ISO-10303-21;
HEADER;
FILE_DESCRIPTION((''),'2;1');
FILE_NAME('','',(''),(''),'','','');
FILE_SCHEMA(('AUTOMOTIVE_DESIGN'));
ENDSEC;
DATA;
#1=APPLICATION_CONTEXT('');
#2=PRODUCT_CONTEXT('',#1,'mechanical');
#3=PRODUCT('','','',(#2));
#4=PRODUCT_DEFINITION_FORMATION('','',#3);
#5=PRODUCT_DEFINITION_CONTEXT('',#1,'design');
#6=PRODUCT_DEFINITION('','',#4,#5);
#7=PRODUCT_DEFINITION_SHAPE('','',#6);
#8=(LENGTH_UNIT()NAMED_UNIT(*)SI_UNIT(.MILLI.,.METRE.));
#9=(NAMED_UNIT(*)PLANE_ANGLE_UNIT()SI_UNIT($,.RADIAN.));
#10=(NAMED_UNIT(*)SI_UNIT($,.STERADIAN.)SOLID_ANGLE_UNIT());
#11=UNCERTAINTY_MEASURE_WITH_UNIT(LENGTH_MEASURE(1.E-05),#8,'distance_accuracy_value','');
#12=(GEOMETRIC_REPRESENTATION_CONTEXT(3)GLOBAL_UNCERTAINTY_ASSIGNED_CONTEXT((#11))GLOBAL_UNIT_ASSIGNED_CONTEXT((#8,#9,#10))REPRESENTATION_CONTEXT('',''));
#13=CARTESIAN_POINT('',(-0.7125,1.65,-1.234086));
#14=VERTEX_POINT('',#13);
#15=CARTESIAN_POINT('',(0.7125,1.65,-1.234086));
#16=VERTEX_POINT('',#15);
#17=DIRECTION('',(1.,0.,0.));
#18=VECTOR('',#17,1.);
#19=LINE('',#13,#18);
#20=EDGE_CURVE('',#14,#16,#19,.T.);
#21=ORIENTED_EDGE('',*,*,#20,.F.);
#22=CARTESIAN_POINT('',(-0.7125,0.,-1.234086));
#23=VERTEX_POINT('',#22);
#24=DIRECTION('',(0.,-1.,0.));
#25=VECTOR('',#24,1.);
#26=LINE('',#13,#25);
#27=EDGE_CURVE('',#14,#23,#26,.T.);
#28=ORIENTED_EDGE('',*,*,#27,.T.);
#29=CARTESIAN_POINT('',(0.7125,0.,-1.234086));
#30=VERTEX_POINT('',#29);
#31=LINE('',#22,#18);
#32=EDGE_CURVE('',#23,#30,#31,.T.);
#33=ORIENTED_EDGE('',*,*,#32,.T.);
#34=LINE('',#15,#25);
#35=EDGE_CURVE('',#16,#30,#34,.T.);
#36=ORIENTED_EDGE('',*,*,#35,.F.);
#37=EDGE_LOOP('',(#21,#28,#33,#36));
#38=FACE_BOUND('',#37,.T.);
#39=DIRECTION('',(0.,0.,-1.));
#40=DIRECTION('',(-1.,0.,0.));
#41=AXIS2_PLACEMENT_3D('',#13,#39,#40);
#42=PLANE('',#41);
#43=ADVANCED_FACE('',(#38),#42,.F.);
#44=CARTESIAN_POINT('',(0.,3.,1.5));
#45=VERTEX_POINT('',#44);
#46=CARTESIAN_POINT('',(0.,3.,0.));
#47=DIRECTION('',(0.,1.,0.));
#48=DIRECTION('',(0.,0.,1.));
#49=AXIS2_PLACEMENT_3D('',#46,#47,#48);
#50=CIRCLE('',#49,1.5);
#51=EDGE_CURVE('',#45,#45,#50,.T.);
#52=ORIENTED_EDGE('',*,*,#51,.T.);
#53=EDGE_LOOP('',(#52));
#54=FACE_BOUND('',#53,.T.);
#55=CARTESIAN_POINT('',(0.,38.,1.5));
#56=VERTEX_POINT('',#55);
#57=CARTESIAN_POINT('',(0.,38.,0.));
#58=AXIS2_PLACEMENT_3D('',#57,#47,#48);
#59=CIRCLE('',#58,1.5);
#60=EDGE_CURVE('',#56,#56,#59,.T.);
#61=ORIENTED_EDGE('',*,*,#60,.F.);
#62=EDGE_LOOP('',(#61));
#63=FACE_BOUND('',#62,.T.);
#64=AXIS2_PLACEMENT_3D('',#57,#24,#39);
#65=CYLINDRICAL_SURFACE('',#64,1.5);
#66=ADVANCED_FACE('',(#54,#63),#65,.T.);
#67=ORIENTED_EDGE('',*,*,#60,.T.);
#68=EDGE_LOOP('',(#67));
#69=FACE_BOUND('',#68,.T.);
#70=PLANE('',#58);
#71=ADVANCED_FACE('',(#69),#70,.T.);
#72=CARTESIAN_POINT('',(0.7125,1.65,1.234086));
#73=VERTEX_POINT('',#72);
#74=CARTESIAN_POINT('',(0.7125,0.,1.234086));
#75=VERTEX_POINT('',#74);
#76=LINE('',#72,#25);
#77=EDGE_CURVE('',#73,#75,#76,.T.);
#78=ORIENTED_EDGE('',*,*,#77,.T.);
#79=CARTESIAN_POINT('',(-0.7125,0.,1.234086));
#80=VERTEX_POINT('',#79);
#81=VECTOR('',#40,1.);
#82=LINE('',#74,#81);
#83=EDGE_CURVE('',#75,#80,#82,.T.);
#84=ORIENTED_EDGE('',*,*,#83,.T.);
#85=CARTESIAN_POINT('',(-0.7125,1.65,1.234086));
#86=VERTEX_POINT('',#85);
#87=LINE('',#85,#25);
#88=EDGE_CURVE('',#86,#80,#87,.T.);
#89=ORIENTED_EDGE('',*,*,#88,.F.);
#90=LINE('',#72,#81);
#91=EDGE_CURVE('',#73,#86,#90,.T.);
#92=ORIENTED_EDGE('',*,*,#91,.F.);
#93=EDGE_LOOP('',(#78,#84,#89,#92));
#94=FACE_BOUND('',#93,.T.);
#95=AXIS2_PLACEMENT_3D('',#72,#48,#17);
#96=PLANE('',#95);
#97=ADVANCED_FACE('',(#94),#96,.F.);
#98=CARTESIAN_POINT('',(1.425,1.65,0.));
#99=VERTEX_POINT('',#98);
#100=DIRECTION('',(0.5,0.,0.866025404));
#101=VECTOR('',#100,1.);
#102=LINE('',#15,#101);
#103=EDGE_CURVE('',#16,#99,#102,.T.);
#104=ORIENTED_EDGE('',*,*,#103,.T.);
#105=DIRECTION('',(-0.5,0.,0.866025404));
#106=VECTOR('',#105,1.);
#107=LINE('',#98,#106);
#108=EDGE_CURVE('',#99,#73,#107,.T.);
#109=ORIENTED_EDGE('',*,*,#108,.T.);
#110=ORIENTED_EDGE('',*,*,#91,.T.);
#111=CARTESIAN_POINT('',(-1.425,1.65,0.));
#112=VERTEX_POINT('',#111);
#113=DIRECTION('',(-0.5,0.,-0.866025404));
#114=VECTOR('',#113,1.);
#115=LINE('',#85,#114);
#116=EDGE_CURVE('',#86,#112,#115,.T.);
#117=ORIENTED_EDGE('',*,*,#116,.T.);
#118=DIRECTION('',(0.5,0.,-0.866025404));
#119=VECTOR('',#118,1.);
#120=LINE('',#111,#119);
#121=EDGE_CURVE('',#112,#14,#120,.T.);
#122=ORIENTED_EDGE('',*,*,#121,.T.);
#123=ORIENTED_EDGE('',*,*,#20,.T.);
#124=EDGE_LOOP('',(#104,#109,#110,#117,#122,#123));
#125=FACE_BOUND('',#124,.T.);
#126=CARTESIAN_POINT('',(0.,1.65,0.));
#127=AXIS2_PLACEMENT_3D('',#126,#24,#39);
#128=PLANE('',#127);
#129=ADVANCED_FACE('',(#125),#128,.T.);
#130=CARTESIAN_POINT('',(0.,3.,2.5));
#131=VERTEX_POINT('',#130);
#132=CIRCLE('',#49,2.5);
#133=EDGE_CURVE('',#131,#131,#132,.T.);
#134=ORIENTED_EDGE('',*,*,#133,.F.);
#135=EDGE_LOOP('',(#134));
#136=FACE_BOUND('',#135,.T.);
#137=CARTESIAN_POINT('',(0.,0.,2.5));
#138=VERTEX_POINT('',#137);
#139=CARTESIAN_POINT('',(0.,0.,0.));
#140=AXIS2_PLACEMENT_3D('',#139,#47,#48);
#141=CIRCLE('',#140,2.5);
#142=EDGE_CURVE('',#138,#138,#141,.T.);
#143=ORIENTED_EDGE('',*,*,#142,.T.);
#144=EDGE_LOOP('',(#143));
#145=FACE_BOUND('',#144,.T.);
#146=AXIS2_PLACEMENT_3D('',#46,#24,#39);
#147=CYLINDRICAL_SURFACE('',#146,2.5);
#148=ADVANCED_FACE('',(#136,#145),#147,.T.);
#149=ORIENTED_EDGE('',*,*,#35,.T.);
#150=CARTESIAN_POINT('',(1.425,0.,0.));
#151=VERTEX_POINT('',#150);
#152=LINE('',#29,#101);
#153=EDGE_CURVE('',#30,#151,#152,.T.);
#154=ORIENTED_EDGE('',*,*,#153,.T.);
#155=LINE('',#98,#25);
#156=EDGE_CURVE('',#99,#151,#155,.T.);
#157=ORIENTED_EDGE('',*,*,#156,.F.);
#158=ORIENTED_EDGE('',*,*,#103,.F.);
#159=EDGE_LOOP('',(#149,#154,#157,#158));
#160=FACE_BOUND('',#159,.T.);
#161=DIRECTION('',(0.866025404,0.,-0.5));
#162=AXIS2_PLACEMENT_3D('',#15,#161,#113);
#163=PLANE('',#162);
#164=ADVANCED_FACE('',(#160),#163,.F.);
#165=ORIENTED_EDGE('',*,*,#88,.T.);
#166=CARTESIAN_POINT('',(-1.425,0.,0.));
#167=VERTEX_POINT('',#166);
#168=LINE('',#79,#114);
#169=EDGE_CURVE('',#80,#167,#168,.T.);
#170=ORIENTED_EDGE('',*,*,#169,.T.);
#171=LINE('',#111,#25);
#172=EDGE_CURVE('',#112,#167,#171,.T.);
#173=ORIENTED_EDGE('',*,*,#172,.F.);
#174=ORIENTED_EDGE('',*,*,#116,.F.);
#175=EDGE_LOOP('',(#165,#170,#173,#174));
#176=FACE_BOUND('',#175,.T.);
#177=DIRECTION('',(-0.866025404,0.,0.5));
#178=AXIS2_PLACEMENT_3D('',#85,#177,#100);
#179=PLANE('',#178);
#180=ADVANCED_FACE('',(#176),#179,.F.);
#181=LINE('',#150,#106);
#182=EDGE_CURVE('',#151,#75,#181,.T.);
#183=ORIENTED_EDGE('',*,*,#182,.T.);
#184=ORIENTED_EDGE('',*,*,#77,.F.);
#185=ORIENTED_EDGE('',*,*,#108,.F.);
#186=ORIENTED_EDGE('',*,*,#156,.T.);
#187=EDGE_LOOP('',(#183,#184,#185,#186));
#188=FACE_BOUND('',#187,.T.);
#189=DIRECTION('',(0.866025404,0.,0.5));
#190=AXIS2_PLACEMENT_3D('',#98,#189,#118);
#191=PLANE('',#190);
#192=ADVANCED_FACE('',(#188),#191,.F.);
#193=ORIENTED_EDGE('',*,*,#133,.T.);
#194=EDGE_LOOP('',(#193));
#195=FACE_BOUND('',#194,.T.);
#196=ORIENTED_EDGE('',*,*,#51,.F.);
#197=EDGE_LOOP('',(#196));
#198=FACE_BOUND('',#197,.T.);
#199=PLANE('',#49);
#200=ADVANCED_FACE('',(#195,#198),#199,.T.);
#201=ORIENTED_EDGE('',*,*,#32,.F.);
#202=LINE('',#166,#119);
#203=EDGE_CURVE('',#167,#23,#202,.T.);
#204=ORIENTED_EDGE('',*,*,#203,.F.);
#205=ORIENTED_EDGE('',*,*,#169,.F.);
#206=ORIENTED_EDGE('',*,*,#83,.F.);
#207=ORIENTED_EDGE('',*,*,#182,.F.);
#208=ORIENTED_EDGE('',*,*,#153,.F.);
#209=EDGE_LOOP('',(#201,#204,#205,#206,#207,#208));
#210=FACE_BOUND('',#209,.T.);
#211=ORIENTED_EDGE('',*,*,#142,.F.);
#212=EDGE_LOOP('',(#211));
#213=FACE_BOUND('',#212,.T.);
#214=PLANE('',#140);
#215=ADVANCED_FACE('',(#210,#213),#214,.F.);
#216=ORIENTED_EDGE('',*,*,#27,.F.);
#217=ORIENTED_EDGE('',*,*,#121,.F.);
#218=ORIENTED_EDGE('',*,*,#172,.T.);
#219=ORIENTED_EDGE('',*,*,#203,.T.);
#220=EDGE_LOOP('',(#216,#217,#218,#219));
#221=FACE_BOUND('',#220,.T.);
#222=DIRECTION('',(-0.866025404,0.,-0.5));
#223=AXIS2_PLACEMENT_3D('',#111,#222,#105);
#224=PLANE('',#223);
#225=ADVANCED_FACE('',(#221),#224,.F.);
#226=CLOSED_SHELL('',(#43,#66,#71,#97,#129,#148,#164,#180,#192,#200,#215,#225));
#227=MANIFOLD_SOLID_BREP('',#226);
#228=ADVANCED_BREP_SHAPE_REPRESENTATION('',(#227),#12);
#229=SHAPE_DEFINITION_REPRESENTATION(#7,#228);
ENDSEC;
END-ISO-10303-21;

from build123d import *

# Parameters (mm, degrees)
SKETCH_1_R          = 2.5
EXTRUDE_1_DEPTH     = 3
SKETCH_2_R          = 1.5
EXTRUDE_2_DEPTH     = 35
CUT_EXTRUDE_1_DEPTH = 1.65


with BuildPart() as part:
    # 草图1 → 凸台-拉伸1 (new body)
    with BuildSketch(Plane(origin=(0, 0, 0), x_dir=(1, 0, 0), z_dir=(0, 1, 0))):
        Circle(SKETCH_1_R)
    extrude(amount=EXTRUDE_1_DEPTH)

    # 草图2 → 凸台-拉伸2 (add)
    with BuildSketch(Plane(origin=(0, 3, 0), x_dir=(1, 0, 0), z_dir=(0, 1, 0))):
        Circle(SKETCH_2_R)
    extrude(amount=EXTRUDE_2_DEPTH)

    # 草图3 → 切除-拉伸1 (cut)
    with BuildSketch(Plane.XZ):
        Polygon((1.425, 0), (0.7125, 1.2340862), (-0.7125, 1.2340862), (-1.425, 0), (-0.7125, -1.2340862), (0.7125, -1.2340862), align=None)
    extrude(amount=-CUT_EXTRUDE_1_DEPTH, mode=Mode.SUBTRACT)


solid = part.part
